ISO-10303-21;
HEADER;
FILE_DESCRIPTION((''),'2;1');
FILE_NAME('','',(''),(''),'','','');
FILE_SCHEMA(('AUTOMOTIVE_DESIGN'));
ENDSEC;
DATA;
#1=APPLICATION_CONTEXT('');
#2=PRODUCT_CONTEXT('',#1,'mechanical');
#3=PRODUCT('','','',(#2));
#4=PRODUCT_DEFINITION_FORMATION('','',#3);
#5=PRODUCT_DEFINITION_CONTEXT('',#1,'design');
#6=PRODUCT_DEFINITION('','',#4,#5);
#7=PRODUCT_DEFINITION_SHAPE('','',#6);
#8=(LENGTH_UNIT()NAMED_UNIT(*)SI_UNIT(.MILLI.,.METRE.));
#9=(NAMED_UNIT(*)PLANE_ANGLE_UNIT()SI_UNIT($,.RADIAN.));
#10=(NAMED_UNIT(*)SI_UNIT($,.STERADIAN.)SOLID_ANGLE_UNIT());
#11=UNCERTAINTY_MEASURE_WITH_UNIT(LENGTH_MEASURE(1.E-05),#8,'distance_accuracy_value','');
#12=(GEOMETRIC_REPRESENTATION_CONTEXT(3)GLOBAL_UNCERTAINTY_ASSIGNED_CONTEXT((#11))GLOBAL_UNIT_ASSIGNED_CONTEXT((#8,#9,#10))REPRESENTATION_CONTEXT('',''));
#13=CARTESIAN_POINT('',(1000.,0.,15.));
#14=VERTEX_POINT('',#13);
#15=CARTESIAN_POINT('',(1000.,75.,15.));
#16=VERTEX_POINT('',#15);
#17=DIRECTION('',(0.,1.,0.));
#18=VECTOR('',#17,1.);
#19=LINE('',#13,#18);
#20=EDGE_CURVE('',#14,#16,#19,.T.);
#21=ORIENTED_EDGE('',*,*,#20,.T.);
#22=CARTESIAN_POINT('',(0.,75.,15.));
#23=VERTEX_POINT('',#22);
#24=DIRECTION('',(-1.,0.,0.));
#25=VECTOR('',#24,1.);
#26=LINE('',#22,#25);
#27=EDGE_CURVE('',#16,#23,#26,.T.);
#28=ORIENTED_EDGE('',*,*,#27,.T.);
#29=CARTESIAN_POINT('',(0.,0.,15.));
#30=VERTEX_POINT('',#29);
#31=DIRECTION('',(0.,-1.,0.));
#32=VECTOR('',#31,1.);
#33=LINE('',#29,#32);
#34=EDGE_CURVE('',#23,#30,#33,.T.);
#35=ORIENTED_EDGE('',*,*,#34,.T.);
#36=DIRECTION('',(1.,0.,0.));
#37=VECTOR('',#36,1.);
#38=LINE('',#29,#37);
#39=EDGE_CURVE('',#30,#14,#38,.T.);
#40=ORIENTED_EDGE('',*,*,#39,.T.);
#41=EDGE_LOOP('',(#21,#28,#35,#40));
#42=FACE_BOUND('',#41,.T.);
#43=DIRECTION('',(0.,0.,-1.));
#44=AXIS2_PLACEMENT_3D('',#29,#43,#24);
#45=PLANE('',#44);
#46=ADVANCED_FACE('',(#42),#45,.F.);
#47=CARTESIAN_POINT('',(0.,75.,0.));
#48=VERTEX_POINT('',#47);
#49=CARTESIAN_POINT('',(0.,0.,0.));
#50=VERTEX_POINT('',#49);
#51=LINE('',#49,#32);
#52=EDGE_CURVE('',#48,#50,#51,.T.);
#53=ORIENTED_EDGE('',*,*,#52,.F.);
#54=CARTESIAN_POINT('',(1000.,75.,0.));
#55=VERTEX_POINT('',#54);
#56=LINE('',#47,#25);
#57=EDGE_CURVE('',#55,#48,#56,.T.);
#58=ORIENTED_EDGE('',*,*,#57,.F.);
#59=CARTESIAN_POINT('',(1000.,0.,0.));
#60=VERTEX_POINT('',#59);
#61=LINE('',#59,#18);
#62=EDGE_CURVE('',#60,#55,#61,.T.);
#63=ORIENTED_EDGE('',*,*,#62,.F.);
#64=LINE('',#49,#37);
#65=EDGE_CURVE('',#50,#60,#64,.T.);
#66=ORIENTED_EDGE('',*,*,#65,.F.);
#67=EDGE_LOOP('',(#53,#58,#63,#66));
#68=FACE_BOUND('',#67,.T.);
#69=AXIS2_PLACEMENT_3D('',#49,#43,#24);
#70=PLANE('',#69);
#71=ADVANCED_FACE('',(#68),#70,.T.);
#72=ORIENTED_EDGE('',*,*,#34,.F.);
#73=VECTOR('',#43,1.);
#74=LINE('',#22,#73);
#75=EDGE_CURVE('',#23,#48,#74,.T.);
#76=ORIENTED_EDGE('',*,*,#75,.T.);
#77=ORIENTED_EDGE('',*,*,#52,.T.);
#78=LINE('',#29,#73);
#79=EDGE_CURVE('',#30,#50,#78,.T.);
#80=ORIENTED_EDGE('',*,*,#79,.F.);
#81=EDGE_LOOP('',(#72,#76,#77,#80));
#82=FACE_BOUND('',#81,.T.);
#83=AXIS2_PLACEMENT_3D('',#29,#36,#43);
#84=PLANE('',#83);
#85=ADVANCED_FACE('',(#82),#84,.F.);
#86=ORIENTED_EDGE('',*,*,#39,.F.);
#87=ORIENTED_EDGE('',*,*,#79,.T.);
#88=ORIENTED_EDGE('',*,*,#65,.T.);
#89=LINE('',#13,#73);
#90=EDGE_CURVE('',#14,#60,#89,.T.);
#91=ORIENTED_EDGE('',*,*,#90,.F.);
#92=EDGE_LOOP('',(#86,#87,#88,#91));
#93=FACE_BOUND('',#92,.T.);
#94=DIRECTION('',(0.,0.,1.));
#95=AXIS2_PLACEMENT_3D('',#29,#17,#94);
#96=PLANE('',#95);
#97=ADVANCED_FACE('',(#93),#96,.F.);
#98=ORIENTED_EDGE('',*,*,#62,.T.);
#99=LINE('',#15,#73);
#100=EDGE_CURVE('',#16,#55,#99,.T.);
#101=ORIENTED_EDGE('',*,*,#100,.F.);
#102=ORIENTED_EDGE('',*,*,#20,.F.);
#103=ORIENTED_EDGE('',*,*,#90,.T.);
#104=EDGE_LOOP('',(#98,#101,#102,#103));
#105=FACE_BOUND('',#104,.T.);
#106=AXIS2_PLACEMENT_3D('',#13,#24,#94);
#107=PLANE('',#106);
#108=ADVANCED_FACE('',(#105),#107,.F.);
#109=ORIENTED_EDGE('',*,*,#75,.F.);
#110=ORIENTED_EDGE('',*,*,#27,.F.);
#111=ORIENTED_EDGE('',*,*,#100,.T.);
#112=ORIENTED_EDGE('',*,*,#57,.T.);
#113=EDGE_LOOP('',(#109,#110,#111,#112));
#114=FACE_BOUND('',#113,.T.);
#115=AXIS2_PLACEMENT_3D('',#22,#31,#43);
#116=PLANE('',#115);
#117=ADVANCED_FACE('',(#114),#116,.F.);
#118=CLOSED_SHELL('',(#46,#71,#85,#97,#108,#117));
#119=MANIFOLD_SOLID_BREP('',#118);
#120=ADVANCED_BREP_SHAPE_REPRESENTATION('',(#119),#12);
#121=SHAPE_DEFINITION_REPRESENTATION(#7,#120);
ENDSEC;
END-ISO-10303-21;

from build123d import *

# Parameters (mm, degrees)
SKETCH1_W           = 100
SKETCH1_H           = 7.5
BOSS_EXTRUDE1_DEPTH = 1.5
SCALE1_SCALE        = 10


with BuildPart() as part:
    # Sketch1 → Boss-Extrude1 (new body)
    with BuildSketch(Plane.XY):
        with Locations((50, 3.75)):
            Rectangle(SKETCH1_W, SKETCH1_H)
    extrude(amount=BOSS_EXTRUDE1_DEPTH)


with BuildPart() as part_1:
    # Scale1: scaled about (0, 0, 0)
    add(part.part.scale(SCALE1_SCALE))


solid = part_1.part
